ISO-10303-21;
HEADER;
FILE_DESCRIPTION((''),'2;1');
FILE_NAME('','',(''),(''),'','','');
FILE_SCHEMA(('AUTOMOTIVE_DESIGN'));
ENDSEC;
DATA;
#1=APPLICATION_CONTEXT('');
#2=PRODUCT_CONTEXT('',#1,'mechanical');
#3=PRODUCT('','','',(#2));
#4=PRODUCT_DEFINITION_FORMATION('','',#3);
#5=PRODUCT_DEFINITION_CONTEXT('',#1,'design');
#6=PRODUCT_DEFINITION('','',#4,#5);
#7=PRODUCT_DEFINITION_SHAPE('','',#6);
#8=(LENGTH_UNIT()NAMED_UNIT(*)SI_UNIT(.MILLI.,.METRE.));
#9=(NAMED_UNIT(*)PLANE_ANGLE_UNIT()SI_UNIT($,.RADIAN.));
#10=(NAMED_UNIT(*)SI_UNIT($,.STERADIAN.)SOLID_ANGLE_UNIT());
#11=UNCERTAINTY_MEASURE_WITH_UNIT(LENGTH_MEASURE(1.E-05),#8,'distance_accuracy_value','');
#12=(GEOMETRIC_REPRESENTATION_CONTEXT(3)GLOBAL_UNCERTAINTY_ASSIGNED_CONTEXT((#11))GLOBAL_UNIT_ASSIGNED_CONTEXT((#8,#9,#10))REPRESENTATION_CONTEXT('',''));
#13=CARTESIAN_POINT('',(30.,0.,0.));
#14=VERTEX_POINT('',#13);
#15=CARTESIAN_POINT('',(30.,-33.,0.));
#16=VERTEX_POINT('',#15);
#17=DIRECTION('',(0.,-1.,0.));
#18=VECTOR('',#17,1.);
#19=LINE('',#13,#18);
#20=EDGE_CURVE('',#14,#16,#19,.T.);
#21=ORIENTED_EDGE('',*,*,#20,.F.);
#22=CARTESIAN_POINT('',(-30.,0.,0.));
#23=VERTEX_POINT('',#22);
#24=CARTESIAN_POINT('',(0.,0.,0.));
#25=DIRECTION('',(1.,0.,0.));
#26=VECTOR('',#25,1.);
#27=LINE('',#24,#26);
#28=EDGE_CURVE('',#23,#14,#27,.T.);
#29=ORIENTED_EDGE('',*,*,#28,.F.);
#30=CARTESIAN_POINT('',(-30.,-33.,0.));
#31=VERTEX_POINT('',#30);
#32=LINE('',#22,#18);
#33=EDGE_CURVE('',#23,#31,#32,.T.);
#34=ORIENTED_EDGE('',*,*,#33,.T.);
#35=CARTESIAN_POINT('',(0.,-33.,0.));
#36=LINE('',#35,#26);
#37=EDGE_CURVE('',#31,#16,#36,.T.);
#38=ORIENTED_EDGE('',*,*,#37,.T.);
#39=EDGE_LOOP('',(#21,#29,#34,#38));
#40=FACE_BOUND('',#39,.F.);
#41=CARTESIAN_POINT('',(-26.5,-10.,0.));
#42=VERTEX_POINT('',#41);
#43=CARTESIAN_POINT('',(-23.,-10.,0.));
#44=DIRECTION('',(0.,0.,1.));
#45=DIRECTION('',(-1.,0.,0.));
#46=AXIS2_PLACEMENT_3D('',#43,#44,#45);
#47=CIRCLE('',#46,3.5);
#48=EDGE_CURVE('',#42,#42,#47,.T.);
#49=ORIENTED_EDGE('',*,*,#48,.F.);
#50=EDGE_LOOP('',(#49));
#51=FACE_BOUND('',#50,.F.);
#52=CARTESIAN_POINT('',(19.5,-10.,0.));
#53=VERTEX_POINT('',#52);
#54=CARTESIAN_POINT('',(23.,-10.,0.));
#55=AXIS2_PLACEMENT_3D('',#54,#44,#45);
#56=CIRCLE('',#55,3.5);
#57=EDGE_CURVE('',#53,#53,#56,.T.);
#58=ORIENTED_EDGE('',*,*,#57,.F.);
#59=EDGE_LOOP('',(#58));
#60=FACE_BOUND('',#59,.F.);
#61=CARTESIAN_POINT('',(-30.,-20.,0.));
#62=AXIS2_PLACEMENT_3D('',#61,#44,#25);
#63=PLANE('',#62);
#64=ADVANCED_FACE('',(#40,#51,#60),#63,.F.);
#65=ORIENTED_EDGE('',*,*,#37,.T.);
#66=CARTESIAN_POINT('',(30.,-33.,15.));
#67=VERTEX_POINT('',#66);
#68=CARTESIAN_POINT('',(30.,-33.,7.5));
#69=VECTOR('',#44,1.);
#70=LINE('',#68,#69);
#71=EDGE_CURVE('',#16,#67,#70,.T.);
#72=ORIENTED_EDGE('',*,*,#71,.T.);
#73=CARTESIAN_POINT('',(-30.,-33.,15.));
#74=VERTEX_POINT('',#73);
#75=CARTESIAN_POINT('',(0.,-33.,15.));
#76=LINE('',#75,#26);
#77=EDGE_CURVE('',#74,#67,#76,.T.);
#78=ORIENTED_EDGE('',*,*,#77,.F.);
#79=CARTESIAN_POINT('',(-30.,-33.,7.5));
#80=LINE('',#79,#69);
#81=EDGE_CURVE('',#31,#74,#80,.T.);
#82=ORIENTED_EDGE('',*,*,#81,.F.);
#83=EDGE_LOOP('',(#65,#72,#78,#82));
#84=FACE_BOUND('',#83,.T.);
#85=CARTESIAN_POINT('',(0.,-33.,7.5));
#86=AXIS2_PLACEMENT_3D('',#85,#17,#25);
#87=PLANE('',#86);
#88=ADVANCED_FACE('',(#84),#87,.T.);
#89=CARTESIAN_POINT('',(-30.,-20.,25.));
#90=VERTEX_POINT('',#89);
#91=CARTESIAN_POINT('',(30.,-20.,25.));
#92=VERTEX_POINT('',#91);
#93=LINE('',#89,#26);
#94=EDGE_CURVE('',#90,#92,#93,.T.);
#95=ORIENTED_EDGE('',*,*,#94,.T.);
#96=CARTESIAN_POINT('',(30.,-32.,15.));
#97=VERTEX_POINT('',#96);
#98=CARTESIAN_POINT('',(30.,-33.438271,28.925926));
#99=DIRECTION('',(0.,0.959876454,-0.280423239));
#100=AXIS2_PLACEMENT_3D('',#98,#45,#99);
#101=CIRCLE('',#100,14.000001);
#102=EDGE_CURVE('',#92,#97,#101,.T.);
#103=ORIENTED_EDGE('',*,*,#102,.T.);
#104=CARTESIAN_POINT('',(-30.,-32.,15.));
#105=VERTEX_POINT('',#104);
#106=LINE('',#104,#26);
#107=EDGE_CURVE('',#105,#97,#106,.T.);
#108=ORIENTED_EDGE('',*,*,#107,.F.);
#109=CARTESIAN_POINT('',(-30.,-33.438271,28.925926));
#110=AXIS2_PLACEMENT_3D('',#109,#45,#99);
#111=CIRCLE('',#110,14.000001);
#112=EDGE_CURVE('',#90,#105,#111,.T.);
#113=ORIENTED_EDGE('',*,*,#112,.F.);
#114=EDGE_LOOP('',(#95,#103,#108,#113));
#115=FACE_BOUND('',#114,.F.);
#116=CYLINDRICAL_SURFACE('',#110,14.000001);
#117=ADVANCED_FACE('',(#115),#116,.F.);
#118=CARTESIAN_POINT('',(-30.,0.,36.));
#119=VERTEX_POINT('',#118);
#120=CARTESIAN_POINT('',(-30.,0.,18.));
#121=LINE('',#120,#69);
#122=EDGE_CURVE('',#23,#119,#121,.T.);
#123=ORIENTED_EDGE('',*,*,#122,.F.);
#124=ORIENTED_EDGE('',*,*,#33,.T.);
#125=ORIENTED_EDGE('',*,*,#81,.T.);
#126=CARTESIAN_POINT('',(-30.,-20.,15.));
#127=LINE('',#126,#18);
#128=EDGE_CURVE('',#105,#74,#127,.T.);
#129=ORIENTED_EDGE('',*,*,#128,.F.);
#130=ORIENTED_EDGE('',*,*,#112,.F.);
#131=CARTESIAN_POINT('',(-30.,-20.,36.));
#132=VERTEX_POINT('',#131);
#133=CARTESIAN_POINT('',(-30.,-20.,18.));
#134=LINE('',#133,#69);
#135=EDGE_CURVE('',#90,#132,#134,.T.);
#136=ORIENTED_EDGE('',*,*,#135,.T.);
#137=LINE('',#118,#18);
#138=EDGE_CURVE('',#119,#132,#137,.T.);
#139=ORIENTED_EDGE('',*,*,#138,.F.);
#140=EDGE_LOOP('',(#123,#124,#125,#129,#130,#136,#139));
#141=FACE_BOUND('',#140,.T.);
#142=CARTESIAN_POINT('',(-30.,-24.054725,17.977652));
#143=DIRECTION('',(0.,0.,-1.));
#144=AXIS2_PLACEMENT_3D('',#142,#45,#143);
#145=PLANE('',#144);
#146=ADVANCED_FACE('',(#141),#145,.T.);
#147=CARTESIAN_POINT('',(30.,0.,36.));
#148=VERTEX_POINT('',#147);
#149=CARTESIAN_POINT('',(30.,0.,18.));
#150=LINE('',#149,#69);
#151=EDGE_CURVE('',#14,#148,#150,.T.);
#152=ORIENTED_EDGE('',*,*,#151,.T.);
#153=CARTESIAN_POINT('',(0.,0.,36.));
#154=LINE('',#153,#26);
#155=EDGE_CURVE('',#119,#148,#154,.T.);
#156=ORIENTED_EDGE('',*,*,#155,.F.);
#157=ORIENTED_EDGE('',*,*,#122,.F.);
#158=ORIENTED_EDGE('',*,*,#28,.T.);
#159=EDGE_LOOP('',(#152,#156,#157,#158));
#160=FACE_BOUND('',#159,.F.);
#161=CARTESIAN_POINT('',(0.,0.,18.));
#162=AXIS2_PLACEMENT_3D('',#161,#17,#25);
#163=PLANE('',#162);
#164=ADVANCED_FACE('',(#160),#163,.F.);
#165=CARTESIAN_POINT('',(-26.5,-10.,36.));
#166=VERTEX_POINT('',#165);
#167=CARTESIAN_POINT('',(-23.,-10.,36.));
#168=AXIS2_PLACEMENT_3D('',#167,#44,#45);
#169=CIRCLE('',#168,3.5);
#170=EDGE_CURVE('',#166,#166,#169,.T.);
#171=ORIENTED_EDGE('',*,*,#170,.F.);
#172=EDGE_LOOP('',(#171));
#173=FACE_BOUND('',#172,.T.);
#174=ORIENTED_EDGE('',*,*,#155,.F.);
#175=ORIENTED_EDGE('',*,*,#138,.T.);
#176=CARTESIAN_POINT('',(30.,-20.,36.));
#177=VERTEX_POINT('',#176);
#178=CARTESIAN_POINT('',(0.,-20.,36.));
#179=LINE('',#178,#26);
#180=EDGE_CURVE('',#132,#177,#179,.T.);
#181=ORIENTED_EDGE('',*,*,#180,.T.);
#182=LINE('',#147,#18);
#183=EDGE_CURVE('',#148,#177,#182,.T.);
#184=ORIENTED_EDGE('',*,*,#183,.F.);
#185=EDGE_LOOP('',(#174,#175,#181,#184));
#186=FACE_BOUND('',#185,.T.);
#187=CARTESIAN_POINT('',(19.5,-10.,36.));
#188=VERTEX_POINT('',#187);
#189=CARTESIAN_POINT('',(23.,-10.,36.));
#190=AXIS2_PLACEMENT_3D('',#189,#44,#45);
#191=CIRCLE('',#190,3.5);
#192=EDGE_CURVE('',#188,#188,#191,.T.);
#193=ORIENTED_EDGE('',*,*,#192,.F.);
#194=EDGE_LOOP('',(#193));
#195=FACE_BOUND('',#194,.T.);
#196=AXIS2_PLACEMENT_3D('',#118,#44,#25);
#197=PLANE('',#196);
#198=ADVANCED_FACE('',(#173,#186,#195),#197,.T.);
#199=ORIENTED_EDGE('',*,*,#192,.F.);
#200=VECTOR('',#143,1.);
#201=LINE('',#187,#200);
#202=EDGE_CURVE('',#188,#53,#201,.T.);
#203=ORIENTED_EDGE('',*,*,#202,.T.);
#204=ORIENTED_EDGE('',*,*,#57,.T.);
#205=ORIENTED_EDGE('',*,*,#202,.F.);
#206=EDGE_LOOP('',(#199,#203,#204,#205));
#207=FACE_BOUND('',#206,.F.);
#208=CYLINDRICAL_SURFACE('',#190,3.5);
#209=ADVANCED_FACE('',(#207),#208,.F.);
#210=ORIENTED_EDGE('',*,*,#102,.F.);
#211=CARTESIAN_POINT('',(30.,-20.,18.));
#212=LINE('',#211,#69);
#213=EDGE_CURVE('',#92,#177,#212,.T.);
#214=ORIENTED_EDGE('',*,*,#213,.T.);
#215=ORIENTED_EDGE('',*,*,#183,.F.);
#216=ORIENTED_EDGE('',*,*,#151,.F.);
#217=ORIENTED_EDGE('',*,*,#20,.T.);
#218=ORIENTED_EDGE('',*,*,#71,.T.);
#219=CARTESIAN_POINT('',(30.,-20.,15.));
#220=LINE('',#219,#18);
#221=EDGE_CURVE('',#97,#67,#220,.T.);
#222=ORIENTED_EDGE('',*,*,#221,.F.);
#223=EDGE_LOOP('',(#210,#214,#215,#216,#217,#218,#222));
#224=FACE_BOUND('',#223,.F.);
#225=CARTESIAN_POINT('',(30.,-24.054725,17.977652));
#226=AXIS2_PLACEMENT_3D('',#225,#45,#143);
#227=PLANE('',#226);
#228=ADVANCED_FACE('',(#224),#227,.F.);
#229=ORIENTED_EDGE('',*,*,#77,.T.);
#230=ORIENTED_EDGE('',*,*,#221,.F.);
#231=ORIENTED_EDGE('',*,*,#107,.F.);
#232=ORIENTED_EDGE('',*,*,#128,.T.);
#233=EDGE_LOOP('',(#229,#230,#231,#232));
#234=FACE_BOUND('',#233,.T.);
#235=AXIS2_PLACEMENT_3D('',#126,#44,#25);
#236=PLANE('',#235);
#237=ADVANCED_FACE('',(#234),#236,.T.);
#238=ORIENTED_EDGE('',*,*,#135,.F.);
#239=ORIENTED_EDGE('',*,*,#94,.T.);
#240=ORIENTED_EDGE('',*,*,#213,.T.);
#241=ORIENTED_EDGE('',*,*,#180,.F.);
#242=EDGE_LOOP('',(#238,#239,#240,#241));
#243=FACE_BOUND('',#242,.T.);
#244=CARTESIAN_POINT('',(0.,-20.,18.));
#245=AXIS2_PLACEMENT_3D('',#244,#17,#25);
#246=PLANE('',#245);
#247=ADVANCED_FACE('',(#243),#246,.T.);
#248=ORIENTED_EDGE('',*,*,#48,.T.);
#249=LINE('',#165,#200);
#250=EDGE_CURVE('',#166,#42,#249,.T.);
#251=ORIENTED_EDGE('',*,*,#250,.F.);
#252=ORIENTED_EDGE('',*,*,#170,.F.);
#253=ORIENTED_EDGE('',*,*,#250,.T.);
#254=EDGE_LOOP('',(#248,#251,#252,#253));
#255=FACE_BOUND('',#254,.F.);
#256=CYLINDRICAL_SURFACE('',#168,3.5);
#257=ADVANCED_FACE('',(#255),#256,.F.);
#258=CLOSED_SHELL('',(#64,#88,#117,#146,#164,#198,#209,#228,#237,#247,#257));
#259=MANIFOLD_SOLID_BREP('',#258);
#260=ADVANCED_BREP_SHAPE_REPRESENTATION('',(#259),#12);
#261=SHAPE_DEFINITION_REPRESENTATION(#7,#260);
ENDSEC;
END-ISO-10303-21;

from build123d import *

# Parameters (mm, degrees)
SKETCH_W     = 60
SKETCH_H     = 36
PAD_DEPTH    = 20
SKETCH001_R  = 3.5
POCKET_DEPTH = 36.001
SKETCH004_W  = 60
SKETCH004_H  = 15
PAD003_DEPTH = 13
PAD004_DEPTH = 60


with BuildPart() as part:
    # Sketch → Pad (new body)
    with BuildSketch(Plane.XZ):
        with Locations((0, 18)):
            Rectangle(SKETCH_W, SKETCH_H)
    extrude(amount=PAD_DEPTH)

    # Sketch001 (on Face3 of Pad) → Pocket (cut, through all)
    with BuildSketch(Plane(origin=(0, 0, 36), x_dir=(-1, 0, 0), z_dir=(0, 0, 1))):
        with Locations((-23, 10)):
            Circle(SKETCH001_R)
        with Locations((23, 10)):
            Circle(SKETCH001_R)
    extrude(amount=-POCKET_DEPTH, mode=Mode.SUBTRACT)

    # Sketch004 → Pad003 (join)
    with BuildSketch(Plane.XZ.offset(20)):
        with Locations((0, 7.5)):
            Rectangle(SKETCH004_W, SKETCH004_H)
    extrude(amount=PAD003_DEPTH)

    # Sketch005 (on Face2 of Pad003) → Pad004 (join)
    with BuildSketch(Plane(origin=(-30, 0, 0), x_dir=(0, 0, -1), z_dir=(-1, 0, 0))):
        with BuildLine():
            Line((-25, 20), (-15, 20))
            Line((-15, 20), (-15, 32))
            ThreePointArc((-25, 20), (-18.170827, 24.475689), (-15, 32))
        make_face()
    extrude(amount=-PAD004_DEPTH)


solid = part.part
